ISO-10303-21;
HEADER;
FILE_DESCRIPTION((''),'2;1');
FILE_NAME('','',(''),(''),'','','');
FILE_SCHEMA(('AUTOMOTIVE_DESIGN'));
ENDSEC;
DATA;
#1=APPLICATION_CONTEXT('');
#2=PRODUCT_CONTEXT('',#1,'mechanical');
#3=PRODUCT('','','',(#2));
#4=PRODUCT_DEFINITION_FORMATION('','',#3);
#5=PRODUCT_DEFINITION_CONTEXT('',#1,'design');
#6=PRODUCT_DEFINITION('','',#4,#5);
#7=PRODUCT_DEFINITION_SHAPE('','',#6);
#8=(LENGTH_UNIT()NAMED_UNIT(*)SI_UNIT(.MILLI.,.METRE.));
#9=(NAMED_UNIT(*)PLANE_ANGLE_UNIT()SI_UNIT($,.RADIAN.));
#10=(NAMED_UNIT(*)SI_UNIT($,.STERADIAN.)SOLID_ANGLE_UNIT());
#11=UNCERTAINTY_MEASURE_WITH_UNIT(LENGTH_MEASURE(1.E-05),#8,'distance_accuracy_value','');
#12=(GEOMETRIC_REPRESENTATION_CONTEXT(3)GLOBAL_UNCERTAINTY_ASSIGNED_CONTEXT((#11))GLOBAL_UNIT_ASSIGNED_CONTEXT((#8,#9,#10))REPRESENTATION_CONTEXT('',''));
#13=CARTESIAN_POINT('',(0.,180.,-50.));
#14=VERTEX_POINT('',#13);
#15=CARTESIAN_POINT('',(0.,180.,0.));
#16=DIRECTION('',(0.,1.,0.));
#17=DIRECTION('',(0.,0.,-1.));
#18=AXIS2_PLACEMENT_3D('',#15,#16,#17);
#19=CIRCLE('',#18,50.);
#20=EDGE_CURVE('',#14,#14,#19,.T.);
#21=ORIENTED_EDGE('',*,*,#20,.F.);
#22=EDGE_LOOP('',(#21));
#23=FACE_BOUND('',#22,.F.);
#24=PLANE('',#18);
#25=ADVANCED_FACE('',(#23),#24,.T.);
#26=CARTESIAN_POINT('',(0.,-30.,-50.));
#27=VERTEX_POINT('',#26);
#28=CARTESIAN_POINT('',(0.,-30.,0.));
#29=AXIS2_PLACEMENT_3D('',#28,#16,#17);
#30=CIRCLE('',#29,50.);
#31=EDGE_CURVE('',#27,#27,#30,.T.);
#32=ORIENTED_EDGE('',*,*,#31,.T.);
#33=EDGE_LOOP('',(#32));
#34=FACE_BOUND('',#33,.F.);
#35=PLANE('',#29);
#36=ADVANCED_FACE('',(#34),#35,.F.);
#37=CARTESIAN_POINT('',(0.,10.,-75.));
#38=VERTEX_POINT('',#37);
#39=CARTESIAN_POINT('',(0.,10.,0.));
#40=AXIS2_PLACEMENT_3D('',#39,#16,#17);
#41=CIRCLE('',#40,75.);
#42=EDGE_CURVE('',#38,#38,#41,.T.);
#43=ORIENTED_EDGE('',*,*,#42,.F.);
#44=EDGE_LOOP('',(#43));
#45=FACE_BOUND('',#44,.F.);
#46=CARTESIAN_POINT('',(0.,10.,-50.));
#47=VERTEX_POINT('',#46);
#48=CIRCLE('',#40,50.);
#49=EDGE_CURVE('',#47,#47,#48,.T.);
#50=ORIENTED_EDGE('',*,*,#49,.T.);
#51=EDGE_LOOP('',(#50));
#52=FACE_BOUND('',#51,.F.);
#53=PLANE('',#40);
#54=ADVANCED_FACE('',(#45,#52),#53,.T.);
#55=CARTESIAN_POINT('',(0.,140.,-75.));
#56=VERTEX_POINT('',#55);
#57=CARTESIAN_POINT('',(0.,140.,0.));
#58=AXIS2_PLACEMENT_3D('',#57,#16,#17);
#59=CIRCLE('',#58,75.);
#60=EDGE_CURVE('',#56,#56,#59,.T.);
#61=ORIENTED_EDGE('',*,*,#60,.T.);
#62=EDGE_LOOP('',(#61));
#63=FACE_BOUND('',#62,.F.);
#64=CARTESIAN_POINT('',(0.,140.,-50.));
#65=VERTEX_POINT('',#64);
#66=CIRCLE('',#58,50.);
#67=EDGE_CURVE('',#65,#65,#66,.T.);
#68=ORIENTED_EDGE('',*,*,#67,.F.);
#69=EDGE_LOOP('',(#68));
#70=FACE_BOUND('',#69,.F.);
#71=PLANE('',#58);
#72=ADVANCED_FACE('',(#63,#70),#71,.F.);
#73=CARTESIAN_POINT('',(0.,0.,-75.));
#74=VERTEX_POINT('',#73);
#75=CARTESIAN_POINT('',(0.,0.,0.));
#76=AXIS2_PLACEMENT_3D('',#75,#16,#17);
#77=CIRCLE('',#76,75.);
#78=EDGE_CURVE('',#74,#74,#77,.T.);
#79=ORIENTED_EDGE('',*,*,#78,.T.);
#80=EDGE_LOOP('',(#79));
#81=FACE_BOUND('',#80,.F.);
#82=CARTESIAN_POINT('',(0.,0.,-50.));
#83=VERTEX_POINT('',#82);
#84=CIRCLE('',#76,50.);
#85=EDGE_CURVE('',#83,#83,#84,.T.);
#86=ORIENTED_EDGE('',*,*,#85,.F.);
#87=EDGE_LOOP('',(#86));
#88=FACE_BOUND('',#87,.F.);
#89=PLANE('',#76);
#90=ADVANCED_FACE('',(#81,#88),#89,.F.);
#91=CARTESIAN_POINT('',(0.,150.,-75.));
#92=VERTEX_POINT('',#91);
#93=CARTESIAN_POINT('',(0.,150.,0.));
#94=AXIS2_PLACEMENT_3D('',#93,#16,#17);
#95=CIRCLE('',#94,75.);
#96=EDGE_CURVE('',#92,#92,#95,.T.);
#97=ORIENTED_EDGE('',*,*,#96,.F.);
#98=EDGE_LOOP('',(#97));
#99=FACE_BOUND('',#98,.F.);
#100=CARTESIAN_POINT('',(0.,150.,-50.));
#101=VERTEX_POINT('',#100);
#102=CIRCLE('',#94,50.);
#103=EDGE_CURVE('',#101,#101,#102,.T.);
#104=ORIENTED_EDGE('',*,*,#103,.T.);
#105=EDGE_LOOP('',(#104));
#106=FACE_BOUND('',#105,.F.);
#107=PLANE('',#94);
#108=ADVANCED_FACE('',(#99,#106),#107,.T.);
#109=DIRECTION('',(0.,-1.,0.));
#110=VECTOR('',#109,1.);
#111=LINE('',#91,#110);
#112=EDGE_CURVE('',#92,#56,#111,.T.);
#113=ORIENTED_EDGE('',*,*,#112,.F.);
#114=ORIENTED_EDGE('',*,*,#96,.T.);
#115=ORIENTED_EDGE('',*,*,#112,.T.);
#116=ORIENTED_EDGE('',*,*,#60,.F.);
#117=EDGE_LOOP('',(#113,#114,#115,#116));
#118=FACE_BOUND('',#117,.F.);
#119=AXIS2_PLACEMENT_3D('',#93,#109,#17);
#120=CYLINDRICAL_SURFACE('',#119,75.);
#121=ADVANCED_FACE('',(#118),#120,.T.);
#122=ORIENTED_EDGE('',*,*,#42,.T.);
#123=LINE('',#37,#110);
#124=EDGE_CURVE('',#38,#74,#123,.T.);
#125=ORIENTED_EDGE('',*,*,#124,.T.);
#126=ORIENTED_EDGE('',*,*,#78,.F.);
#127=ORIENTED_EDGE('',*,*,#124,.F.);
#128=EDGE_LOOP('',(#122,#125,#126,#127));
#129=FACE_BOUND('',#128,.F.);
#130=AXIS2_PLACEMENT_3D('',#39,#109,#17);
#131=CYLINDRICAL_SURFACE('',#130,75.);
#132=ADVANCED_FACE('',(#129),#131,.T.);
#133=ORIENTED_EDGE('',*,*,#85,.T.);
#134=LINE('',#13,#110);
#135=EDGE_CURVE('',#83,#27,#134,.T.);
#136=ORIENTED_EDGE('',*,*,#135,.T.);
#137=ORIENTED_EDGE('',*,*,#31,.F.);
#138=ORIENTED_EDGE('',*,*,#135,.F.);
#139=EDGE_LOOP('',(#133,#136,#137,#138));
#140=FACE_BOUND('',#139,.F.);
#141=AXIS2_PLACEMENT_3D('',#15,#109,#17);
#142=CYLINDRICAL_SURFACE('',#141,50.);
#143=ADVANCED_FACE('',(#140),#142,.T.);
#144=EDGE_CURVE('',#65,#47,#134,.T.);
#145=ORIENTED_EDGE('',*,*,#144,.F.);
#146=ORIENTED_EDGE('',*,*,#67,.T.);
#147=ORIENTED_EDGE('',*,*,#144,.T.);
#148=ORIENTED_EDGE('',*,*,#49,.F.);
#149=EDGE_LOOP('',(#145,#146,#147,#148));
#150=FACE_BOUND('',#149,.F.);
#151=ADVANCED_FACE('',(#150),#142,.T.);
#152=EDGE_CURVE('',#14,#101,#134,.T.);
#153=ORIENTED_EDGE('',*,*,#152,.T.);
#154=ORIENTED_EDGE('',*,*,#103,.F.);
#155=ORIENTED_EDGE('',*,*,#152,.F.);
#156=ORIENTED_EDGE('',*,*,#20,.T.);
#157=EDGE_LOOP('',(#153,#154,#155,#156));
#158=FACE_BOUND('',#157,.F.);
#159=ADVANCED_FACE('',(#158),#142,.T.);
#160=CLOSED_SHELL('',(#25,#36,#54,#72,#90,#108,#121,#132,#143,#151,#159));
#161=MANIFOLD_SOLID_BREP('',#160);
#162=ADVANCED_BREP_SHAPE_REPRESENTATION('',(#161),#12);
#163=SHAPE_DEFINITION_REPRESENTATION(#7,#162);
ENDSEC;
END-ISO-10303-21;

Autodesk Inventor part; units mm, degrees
ref_plane "YZ Plane" through (0, 0, 0) normal (1, 0, 0) x (0, 1, 0)
ref_plane "XZ Plane" through (0, 0, 0) normal (0, 1, 0) x (-1, 0, 0)
ref_plane "XY Plane" through (0, 0, 0) normal (0, 0, 1) x (1, 0, 0)
sketch "草圖1" plane through (0, 0, 0) normal (1, 0, 0) x (0, 1, 0)
  line L0 (0, 0) -> (10, 0)
  line L1 (10, 0) -> (10, -75)
  line L2 (10, -75) -> (0, -75)
  line L3 (0, -75) -> (0, 0)
  line L4 (140, 0) -> (150, 0)
  line L5 (150, 0) -> (150, -75)
  line L6 (150, -75) -> (140, -75)
  line L7 (140, -75) -> (140, 0)
  line L8 (10, 0) -> (140, 0)
  line L9 (140, 0) -> (140, -60)
  line L10 (10, -60) -> (10, 0)
  line L11 (-30, 0) -> (180, 0)
  line L12 (180, 0) -> (180, -50)
  line L13 (180, -50) -> (-30, -50)
  line L14 (-30, -50) -> (-30, 0)
  point P0 (0, -50)
  point P1 (10, -50)
  point P2 (140, -50)
  point P3 (150, -50)
  dimension "d0" = 10
  dimension "d1" = 150
  dimension "d2" = 150
  dimension "d3" = 10
  dimension "d5" = 100
  dimension "d6" = 210
  dimension "d7" = 30
revolve "迴轉1" add sketch "草圖1" angle 360 about axis through (0, 0, 0) along (0, 1, 0)
properties part number "特規趁套"
